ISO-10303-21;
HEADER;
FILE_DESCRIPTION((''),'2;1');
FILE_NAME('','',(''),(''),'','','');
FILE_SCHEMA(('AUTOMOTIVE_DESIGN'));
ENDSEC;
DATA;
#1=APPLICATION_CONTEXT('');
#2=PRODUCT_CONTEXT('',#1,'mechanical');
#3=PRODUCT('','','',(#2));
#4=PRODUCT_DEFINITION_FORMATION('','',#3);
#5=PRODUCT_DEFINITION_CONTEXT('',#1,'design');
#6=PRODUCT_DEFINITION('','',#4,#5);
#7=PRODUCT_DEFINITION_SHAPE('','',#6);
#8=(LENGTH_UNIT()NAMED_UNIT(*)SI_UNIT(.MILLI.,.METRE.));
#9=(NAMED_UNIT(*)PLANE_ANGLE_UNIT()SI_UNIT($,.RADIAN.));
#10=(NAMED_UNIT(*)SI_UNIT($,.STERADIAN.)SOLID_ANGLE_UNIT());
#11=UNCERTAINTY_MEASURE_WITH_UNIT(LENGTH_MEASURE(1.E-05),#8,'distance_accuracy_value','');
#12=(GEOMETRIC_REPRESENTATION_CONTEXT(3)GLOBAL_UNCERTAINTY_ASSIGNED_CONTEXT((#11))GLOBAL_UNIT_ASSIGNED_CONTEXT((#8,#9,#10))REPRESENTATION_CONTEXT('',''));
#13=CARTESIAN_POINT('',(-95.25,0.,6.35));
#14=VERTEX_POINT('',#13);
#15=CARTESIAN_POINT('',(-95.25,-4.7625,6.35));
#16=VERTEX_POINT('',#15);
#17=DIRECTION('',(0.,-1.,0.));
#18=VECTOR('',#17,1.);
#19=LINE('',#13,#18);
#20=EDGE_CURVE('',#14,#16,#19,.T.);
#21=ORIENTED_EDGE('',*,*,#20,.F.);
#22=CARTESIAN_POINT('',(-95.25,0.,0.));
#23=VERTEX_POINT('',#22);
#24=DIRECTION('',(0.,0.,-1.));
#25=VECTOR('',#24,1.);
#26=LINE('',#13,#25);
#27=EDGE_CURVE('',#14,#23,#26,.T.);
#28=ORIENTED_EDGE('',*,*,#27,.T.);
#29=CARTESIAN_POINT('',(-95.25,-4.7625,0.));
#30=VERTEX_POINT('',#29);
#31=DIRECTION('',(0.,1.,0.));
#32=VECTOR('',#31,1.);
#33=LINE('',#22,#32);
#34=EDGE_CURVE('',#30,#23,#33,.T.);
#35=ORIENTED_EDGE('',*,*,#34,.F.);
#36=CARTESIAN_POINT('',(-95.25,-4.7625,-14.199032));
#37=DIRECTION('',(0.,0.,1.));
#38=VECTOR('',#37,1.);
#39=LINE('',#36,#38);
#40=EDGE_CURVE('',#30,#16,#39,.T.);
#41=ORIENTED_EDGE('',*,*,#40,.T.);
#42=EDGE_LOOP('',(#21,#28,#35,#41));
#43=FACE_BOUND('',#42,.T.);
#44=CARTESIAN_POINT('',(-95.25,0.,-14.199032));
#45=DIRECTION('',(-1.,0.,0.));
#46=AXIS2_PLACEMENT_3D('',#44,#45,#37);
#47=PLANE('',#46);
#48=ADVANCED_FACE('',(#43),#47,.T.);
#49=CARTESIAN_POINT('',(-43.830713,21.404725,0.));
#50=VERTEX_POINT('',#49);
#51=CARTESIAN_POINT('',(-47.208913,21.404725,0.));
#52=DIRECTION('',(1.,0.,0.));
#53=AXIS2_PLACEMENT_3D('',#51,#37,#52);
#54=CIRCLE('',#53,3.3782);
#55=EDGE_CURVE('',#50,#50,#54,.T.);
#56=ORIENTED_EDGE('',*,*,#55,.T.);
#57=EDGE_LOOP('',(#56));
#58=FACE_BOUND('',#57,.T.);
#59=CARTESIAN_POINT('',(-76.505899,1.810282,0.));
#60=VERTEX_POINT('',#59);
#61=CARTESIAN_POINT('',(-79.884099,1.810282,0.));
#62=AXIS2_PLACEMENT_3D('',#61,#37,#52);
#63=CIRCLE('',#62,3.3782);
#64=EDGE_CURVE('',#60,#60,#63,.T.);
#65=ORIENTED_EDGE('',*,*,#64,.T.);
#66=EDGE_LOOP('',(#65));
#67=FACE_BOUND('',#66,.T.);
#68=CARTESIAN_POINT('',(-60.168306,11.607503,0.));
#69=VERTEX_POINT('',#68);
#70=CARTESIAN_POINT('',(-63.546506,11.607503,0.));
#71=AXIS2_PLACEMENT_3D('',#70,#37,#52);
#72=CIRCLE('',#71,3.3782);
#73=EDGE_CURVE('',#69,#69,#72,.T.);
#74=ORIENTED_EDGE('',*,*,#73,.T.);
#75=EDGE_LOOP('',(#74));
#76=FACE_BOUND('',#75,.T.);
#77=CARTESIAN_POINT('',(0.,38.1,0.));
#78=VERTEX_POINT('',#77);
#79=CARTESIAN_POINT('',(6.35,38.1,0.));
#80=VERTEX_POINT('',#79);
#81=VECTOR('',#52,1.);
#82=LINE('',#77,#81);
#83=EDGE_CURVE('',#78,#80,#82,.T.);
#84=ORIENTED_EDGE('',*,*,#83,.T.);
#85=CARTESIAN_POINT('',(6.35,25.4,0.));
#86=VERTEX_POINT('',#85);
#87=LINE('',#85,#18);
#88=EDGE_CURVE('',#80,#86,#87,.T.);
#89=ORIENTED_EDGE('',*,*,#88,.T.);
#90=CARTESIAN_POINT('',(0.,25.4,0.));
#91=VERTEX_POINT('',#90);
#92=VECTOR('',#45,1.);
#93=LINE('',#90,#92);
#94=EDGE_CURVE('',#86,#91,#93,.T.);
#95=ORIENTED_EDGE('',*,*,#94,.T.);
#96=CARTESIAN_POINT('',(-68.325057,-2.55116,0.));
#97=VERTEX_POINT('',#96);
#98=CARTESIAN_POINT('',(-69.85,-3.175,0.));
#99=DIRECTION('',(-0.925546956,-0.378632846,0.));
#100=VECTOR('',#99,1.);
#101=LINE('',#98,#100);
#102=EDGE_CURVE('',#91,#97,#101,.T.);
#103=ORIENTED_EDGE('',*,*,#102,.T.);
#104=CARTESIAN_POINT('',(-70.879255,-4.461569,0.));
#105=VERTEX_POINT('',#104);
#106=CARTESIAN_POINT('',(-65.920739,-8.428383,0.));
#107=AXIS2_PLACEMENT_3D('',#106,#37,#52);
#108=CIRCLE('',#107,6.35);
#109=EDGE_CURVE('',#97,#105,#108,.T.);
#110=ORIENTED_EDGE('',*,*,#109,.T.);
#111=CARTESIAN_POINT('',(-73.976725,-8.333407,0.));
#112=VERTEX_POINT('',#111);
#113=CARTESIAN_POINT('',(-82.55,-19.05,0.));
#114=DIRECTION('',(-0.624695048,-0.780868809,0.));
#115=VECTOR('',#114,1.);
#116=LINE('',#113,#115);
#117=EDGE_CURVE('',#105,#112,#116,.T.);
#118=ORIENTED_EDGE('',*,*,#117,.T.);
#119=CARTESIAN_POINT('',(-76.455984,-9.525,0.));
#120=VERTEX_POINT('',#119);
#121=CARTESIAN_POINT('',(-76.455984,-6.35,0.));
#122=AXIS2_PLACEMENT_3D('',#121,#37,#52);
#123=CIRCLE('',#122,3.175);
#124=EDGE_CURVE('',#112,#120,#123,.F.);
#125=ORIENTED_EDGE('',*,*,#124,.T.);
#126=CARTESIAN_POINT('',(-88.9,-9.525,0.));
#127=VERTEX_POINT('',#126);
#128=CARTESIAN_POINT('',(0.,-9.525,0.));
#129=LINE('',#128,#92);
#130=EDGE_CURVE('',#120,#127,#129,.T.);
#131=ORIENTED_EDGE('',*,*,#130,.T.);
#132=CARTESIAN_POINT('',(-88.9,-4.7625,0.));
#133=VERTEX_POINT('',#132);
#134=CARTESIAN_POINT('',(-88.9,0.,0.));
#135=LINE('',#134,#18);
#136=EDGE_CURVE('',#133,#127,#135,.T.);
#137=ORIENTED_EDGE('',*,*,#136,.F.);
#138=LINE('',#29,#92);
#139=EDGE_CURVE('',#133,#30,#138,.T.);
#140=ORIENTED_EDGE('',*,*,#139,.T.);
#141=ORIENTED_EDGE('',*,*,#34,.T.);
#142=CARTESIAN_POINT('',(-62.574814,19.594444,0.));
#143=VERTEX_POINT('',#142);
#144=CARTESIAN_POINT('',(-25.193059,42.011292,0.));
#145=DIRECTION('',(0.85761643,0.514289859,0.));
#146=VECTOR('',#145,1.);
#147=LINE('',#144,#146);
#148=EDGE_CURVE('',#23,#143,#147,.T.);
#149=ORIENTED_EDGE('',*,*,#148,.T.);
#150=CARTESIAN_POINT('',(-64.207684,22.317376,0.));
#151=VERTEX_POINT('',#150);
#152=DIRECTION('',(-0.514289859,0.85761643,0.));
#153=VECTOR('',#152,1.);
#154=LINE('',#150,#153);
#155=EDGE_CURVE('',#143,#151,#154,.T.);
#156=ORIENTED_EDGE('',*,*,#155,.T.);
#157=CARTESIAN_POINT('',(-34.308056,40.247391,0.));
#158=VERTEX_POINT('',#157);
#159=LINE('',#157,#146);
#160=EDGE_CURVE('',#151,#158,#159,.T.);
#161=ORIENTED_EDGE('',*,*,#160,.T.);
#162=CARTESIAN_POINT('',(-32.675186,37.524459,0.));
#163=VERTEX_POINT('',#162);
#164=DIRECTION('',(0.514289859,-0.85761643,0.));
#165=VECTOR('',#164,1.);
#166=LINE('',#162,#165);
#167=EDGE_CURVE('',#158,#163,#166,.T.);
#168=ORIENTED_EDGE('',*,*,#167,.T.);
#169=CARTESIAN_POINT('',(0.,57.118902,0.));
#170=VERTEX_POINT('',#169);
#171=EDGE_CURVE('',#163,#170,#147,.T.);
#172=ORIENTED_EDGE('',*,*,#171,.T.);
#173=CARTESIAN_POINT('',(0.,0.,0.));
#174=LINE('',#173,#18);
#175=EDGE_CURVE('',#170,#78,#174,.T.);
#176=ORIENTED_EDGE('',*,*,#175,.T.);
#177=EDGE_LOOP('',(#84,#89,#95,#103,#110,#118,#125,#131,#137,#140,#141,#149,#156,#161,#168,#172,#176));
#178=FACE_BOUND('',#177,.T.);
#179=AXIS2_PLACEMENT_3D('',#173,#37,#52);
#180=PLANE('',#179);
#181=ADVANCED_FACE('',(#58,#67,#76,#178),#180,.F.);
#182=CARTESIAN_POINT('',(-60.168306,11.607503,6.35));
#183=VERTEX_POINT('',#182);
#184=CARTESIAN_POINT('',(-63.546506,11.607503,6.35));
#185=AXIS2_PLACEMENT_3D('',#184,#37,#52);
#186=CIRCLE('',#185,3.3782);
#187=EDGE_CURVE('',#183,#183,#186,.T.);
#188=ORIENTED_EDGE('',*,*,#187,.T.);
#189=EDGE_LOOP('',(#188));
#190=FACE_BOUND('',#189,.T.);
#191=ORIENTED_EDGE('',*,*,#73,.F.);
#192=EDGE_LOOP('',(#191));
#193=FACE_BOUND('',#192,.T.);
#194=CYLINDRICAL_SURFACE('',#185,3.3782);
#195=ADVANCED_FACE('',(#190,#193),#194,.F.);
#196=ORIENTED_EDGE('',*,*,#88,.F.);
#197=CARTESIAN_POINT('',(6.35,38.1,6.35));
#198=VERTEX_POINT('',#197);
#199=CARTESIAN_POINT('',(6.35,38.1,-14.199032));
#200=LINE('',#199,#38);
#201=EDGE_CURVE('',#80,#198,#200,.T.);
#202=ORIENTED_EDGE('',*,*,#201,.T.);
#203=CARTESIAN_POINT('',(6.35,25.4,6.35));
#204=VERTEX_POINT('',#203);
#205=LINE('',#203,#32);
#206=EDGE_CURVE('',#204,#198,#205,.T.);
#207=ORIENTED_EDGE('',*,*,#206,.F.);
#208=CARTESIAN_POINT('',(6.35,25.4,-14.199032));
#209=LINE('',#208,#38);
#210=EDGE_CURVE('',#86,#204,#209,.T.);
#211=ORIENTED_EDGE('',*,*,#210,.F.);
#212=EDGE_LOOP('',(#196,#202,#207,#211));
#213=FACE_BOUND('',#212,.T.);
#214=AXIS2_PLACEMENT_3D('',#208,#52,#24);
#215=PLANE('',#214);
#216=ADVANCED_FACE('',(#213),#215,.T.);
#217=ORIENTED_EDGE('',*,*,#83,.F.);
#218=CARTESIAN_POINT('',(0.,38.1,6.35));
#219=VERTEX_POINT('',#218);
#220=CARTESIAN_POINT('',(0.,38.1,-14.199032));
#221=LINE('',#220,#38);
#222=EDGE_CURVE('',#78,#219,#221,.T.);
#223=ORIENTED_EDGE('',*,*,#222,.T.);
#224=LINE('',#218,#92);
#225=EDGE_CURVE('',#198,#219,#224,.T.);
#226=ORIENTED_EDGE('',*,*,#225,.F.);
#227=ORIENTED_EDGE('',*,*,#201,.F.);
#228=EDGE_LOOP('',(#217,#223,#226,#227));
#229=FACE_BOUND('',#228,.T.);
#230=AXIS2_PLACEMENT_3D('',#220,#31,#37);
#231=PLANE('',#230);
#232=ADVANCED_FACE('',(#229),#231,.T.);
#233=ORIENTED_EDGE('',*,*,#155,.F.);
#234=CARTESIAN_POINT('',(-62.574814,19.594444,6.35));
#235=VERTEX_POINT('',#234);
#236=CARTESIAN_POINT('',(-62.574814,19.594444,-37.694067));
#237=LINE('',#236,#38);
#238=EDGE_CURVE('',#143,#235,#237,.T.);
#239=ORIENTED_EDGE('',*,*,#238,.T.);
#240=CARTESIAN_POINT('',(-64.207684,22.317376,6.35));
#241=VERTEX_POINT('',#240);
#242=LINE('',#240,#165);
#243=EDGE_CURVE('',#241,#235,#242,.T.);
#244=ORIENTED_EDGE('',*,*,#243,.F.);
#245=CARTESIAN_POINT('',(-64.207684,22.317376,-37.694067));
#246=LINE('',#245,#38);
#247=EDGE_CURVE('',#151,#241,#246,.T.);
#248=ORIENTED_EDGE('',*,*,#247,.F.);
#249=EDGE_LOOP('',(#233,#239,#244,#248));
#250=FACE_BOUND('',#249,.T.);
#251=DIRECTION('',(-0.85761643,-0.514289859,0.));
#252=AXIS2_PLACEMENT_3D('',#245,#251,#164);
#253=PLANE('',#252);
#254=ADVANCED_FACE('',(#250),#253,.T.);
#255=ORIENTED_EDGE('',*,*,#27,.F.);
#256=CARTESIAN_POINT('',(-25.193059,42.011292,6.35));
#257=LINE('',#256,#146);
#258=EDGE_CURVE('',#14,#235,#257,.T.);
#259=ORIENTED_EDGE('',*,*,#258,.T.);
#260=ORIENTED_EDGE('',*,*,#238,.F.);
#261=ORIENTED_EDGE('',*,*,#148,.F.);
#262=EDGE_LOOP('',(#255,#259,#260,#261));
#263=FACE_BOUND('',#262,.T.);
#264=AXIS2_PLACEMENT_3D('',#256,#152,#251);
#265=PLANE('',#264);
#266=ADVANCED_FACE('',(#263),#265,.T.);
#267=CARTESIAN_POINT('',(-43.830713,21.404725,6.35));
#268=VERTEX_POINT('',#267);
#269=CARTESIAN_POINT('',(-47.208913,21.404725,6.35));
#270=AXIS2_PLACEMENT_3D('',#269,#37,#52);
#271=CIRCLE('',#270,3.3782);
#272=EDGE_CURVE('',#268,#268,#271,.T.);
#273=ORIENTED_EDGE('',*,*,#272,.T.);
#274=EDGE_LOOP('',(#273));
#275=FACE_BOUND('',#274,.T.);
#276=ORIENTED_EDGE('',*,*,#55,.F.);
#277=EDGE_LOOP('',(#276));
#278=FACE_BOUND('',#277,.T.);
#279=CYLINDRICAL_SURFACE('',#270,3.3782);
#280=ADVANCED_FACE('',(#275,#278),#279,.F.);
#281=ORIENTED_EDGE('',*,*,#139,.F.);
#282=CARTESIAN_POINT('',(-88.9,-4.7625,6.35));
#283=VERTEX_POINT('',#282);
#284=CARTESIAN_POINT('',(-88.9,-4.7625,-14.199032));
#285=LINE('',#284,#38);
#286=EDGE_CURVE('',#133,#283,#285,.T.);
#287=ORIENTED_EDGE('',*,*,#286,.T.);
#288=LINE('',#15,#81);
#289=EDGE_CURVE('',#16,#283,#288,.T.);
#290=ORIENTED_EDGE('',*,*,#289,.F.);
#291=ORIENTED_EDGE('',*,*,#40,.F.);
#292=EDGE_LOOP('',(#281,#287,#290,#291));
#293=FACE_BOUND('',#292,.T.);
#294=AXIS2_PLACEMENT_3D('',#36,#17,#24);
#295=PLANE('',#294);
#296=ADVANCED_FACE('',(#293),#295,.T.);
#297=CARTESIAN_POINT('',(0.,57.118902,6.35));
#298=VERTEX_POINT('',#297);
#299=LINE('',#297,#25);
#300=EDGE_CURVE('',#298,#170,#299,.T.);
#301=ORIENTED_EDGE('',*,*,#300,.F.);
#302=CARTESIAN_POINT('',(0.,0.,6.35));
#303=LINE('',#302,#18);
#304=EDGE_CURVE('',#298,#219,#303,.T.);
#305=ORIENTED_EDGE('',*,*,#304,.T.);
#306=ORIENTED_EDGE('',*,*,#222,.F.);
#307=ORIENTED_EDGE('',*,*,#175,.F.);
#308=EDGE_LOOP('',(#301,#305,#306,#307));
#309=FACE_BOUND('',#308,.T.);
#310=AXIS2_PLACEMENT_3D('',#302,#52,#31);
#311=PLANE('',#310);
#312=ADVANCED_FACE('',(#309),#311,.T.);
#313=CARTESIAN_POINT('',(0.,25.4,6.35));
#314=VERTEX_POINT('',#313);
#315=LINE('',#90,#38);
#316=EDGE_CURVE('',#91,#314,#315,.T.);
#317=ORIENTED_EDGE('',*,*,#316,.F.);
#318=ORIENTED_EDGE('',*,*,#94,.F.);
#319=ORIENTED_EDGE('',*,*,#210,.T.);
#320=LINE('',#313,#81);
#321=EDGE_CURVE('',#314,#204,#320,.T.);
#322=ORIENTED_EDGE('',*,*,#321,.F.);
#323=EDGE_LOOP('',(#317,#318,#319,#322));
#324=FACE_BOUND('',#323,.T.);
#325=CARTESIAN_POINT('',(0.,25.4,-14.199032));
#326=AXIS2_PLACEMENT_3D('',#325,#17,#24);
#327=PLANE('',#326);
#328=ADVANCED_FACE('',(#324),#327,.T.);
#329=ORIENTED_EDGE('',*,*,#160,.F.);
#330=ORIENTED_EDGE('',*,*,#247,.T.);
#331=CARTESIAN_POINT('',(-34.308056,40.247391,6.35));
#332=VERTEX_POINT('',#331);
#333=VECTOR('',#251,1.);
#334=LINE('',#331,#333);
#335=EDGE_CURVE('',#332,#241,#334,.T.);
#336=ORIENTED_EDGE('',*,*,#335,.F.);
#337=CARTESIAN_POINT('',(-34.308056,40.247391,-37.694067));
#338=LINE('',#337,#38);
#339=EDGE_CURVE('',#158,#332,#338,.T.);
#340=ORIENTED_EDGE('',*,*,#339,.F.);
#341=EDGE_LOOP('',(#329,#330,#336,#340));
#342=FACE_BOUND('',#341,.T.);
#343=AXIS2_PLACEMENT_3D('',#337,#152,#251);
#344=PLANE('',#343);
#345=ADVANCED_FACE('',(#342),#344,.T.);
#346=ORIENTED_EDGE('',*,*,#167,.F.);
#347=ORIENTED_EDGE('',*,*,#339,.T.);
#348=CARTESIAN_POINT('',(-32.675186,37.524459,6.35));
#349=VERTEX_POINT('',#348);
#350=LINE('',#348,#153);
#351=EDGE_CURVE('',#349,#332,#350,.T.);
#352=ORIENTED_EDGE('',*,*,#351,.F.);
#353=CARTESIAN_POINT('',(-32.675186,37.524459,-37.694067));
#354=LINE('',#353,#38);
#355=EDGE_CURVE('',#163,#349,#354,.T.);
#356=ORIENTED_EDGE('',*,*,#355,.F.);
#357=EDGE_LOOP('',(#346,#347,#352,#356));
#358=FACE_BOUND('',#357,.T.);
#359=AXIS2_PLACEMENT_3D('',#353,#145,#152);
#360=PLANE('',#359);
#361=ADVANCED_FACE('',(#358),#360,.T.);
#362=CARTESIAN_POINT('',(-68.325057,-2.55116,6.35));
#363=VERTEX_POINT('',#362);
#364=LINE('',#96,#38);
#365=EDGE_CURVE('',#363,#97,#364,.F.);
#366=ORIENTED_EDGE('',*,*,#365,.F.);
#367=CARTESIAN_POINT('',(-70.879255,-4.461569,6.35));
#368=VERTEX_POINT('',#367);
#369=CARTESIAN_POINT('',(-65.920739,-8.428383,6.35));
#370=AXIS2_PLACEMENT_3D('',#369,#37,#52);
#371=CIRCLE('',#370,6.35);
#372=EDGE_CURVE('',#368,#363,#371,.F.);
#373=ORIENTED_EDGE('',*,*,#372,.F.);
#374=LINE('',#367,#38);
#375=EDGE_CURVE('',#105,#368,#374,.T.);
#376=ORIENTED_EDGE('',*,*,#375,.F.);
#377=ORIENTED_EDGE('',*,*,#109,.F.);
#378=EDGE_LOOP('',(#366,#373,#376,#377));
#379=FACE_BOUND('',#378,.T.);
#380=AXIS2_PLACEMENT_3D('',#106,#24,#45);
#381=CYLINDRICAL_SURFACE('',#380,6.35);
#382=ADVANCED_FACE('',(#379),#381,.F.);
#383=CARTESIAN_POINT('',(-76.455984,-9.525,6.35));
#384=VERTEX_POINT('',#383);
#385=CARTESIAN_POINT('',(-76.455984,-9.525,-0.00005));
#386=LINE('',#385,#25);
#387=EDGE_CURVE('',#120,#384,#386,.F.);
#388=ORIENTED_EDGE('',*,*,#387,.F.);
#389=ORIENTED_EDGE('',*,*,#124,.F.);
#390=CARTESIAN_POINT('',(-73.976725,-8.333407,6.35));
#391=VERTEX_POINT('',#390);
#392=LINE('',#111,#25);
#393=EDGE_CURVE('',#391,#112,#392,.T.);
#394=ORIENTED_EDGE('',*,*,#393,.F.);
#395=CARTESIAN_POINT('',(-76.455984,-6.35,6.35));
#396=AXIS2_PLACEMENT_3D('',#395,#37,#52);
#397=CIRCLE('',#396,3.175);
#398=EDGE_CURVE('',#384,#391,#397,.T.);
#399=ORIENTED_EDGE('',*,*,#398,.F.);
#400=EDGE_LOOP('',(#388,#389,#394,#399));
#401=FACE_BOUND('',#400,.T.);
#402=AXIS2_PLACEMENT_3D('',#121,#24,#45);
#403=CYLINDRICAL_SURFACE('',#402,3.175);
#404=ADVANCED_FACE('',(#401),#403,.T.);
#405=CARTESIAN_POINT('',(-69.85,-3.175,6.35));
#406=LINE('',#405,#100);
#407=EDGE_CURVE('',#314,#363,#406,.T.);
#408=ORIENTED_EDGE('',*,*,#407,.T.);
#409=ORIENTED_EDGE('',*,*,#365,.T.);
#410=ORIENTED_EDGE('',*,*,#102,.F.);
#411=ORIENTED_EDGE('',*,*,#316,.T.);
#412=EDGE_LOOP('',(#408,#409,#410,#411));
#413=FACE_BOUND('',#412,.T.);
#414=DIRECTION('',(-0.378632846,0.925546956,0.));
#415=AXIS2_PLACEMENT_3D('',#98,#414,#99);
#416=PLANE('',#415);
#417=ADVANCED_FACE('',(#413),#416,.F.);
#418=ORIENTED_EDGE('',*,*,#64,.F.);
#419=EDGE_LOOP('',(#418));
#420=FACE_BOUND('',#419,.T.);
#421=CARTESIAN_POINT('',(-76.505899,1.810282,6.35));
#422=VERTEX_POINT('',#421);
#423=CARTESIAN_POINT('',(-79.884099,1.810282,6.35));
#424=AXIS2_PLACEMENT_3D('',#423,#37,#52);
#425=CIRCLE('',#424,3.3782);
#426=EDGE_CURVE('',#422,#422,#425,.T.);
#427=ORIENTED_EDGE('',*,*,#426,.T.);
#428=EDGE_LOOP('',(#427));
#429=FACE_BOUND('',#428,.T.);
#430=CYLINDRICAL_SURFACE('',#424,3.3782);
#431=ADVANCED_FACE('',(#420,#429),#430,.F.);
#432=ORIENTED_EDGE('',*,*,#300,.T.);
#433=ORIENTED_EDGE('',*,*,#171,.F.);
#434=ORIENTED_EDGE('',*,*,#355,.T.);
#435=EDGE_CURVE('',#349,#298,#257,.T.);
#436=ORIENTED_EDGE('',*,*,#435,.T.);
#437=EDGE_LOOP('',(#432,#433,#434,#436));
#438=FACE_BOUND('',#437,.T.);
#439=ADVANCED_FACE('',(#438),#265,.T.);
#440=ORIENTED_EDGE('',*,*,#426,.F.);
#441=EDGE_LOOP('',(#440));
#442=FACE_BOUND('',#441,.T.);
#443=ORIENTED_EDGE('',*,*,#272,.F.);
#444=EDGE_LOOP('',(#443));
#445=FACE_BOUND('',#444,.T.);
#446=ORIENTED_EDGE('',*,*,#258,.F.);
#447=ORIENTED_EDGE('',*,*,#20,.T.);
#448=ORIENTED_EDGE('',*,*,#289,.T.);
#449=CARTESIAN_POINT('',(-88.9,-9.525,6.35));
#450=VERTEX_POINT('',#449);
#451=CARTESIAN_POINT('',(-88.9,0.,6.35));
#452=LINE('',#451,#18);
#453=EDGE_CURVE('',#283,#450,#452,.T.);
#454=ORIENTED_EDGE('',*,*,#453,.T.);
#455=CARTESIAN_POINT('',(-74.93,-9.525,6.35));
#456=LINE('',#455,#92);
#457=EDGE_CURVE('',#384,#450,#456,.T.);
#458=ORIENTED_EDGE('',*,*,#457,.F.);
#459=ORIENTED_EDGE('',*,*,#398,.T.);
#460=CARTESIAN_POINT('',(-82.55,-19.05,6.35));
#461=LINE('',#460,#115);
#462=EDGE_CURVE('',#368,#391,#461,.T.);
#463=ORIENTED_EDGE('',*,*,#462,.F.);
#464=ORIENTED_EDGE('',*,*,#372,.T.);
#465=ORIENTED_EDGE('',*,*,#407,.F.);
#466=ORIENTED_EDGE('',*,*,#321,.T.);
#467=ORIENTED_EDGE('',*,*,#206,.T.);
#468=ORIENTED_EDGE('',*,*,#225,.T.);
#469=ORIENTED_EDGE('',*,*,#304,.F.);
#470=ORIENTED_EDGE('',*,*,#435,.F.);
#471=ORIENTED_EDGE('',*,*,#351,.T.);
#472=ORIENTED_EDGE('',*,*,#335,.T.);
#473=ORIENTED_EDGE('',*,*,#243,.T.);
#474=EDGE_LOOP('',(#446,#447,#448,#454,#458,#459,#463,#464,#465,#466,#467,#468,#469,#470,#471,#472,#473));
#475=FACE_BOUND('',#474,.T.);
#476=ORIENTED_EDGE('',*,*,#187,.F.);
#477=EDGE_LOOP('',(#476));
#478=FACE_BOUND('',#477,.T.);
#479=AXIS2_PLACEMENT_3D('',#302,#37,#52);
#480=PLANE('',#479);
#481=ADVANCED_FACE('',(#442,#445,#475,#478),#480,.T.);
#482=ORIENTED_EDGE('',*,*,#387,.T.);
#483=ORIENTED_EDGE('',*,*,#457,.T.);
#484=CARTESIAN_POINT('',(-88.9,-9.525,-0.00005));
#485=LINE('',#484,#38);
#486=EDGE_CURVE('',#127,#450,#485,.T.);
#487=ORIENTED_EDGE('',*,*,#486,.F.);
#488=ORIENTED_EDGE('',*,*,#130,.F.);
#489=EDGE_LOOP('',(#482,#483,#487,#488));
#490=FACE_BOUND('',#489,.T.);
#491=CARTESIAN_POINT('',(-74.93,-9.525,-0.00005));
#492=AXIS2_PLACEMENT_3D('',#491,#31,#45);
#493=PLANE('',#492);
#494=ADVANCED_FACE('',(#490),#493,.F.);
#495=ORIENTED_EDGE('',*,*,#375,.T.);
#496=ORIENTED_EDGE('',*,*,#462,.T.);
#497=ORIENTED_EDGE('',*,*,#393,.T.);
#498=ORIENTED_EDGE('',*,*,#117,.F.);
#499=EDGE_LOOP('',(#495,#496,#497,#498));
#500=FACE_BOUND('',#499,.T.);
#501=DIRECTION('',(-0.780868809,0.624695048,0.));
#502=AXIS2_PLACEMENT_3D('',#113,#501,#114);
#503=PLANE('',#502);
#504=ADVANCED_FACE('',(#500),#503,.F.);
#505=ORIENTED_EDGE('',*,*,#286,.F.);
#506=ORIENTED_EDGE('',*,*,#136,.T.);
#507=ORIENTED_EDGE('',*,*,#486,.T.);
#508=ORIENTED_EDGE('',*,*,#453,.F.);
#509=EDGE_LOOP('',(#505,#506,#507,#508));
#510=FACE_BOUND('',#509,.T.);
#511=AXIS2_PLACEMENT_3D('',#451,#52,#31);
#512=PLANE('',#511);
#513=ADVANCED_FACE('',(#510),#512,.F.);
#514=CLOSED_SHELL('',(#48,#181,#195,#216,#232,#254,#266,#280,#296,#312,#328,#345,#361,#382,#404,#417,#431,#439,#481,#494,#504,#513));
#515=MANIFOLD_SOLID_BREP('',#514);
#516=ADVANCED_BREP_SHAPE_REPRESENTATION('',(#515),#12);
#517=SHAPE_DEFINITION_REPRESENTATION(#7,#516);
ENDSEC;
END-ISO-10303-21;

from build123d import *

# Parameters (mm, degrees)
BOSS_EXTRUDE1_DEPTH     = 6.35
CUT_EXTRUDE2_DEPTH      = 7.35
FILLET2_R               = 6.35
SKETCH4_W               = 6.35
SKETCH4_H               = 12.7
SKETCH4_H_2             = 4.7625
BOSS_EXTRUDE2_DEPTH     = 6.35
SKETCH5_W               = 13.97
SKETCH5_H               = 9.525
CUT_EXTRUDE3_DEPTH      = 7.35
FILLET3_R               = 3.175
F_1_4_CLEARANCE_HOLE1_D = 6.7564
BOSS_EXTRUDE3_DEPTH     = 6.35


with BuildPart() as part:
    # Sketch1 → Boss-Extrude1 (new body)
    with BuildSketch(Plane.XY):
        Polygon((-82.55, -19.05), (0, 0), (-88.9, 0), (-88.9, -19.05), align=None)
        Polygon((-95.25, 0), (0, 57.118902343), (0, 0), align=None)
    extrude(amount=BOSS_EXTRUDE1_DEPTH)

    # Sketch3 → Cut-Extrude2 (cut, through all)
    with BuildSketch(Plane.XY.offset(6.35)):
        Polygon((-82.55, -19.05), (-69.85, -3.175), (0, 25.4), (0, 0), align=None)
    extrude(amount=-CUT_EXTRUDE2_DEPTH, mode=Mode.SUBTRACT)

    # Fillet2
    fillet2_edges = [part.edges().sort_by_distance(p)[0] for p in [
        (-69.85, -3.175, 3.175),
    ]]
    fillet(fillet2_edges, radius=FILLET2_R)

    # Sketch4 → Boss-Extrude2 (add)
    with BuildSketch(Plane.XY.offset(6.35)):
        with Locations((3.175, 31.75)):
            Rectangle(SKETCH4_W, SKETCH4_H)
        with Locations((-92.075, -2.38125)):
            Rectangle(SKETCH4_W, SKETCH4_H_2)
    extrude(amount=-BOSS_EXTRUDE2_DEPTH)

    # Sketch5 → Cut-Extrude3 (cut, through all)
    with BuildSketch(Plane.XY.offset(6.35)):
        with Locations((-81.915, -14.2875)):
            Rectangle(SKETCH5_W, SKETCH5_H)
    extrude(amount=-CUT_EXTRUDE3_DEPTH, mode=Mode.SUBTRACT)

    # Fillet3
    fillet3_edges = [part.edges().sort_by_distance(p)[0] for p in [
        (-74.93, -9.525, 3.175),
    ]]
    fillet(fillet3_edges, radius=FILLET3_R)

    # 1/4 Clearance Hole1 (through all)
    with Locations(Plane.XY.offset(6.35)):
        with Locations((-79.884098694, 1.810281574), (-63.546505707, 11.607503394), (-47.20891272, 21.404725214)):
            Hole(F_1_4_CLEARANCE_HOLE1_D / 2)

    # Sketch8 → Boss-Extrude3 (add)
    with BuildSketch(Plane.XY.offset(6.35)):
        Polygon((-32.675185974, 37.524458703), (-34.308056278, 40.247390867), (-64.207684329, 22.317375804), (-62.574814026, 19.59444364), align=None)
    extrude(amount=-BOSS_EXTRUDE3_DEPTH)


solid = part.part
